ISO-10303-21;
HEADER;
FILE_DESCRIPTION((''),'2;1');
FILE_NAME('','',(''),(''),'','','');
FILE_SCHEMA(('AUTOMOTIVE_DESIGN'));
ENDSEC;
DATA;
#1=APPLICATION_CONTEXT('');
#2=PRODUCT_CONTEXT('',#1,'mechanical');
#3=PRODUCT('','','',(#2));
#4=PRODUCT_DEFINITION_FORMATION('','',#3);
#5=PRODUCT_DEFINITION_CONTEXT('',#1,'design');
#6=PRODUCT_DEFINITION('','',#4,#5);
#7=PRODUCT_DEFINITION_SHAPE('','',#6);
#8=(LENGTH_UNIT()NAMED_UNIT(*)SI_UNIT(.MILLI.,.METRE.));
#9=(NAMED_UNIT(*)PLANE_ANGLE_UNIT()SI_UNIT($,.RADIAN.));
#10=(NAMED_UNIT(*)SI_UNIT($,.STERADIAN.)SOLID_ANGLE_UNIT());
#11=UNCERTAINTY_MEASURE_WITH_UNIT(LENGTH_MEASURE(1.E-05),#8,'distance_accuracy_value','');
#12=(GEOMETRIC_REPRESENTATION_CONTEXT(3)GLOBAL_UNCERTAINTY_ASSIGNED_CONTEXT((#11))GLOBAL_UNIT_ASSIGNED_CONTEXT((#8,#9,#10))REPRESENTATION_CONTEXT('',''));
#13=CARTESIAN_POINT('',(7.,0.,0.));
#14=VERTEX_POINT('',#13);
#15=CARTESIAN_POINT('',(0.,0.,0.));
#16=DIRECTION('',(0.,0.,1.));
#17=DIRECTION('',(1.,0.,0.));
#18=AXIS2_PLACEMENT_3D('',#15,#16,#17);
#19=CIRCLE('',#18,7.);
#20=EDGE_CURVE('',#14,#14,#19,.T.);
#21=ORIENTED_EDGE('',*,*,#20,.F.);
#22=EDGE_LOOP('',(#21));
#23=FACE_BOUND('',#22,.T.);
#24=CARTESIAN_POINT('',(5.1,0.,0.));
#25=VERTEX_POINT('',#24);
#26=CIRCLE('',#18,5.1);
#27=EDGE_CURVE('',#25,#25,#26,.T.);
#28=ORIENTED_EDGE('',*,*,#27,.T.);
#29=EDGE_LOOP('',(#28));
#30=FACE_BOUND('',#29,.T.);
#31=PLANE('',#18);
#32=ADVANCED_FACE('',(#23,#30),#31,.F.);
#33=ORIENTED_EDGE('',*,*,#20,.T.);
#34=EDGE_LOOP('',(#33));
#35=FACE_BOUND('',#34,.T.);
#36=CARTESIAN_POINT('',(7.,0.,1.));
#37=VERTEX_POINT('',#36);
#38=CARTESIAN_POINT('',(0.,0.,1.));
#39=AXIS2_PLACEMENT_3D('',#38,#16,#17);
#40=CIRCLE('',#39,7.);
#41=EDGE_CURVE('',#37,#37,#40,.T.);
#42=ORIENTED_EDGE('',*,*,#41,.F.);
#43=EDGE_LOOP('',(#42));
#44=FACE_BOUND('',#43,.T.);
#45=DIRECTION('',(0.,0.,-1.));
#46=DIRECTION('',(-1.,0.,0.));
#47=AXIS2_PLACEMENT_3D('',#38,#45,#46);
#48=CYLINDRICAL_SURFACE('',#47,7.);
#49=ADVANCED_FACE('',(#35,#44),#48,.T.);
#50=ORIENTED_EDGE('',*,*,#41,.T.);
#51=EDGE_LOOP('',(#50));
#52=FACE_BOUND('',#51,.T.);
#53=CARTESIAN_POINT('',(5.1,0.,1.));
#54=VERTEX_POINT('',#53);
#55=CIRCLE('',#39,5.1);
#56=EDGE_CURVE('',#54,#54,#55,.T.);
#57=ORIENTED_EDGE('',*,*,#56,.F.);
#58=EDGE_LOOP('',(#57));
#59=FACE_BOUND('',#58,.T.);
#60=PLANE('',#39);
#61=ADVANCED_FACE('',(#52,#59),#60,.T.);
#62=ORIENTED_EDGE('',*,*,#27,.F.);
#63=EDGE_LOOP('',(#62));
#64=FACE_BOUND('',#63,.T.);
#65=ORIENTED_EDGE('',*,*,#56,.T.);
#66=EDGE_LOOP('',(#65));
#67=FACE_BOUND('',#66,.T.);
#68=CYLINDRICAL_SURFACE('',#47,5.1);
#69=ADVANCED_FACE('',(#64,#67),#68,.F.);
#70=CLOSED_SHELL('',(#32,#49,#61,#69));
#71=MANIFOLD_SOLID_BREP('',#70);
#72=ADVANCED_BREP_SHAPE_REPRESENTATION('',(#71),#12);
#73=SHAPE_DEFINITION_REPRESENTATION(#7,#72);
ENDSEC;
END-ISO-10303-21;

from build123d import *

# Parameters (mm, degrees)
SKETCH_1_R      = 7
SKETCH_1_R_2    = 5.1
EXTRUDE_1_DEPTH = 1


with BuildPart() as part:
    # Эскиз1 → Бобышка-Вытянуть1 (new body)
    with BuildSketch(Plane.XY):
        Circle(SKETCH_1_R)
        Circle(SKETCH_1_R_2, mode=Mode.SUBTRACT)
    extrude(amount=EXTRUDE_1_DEPTH)


solid = part.part
